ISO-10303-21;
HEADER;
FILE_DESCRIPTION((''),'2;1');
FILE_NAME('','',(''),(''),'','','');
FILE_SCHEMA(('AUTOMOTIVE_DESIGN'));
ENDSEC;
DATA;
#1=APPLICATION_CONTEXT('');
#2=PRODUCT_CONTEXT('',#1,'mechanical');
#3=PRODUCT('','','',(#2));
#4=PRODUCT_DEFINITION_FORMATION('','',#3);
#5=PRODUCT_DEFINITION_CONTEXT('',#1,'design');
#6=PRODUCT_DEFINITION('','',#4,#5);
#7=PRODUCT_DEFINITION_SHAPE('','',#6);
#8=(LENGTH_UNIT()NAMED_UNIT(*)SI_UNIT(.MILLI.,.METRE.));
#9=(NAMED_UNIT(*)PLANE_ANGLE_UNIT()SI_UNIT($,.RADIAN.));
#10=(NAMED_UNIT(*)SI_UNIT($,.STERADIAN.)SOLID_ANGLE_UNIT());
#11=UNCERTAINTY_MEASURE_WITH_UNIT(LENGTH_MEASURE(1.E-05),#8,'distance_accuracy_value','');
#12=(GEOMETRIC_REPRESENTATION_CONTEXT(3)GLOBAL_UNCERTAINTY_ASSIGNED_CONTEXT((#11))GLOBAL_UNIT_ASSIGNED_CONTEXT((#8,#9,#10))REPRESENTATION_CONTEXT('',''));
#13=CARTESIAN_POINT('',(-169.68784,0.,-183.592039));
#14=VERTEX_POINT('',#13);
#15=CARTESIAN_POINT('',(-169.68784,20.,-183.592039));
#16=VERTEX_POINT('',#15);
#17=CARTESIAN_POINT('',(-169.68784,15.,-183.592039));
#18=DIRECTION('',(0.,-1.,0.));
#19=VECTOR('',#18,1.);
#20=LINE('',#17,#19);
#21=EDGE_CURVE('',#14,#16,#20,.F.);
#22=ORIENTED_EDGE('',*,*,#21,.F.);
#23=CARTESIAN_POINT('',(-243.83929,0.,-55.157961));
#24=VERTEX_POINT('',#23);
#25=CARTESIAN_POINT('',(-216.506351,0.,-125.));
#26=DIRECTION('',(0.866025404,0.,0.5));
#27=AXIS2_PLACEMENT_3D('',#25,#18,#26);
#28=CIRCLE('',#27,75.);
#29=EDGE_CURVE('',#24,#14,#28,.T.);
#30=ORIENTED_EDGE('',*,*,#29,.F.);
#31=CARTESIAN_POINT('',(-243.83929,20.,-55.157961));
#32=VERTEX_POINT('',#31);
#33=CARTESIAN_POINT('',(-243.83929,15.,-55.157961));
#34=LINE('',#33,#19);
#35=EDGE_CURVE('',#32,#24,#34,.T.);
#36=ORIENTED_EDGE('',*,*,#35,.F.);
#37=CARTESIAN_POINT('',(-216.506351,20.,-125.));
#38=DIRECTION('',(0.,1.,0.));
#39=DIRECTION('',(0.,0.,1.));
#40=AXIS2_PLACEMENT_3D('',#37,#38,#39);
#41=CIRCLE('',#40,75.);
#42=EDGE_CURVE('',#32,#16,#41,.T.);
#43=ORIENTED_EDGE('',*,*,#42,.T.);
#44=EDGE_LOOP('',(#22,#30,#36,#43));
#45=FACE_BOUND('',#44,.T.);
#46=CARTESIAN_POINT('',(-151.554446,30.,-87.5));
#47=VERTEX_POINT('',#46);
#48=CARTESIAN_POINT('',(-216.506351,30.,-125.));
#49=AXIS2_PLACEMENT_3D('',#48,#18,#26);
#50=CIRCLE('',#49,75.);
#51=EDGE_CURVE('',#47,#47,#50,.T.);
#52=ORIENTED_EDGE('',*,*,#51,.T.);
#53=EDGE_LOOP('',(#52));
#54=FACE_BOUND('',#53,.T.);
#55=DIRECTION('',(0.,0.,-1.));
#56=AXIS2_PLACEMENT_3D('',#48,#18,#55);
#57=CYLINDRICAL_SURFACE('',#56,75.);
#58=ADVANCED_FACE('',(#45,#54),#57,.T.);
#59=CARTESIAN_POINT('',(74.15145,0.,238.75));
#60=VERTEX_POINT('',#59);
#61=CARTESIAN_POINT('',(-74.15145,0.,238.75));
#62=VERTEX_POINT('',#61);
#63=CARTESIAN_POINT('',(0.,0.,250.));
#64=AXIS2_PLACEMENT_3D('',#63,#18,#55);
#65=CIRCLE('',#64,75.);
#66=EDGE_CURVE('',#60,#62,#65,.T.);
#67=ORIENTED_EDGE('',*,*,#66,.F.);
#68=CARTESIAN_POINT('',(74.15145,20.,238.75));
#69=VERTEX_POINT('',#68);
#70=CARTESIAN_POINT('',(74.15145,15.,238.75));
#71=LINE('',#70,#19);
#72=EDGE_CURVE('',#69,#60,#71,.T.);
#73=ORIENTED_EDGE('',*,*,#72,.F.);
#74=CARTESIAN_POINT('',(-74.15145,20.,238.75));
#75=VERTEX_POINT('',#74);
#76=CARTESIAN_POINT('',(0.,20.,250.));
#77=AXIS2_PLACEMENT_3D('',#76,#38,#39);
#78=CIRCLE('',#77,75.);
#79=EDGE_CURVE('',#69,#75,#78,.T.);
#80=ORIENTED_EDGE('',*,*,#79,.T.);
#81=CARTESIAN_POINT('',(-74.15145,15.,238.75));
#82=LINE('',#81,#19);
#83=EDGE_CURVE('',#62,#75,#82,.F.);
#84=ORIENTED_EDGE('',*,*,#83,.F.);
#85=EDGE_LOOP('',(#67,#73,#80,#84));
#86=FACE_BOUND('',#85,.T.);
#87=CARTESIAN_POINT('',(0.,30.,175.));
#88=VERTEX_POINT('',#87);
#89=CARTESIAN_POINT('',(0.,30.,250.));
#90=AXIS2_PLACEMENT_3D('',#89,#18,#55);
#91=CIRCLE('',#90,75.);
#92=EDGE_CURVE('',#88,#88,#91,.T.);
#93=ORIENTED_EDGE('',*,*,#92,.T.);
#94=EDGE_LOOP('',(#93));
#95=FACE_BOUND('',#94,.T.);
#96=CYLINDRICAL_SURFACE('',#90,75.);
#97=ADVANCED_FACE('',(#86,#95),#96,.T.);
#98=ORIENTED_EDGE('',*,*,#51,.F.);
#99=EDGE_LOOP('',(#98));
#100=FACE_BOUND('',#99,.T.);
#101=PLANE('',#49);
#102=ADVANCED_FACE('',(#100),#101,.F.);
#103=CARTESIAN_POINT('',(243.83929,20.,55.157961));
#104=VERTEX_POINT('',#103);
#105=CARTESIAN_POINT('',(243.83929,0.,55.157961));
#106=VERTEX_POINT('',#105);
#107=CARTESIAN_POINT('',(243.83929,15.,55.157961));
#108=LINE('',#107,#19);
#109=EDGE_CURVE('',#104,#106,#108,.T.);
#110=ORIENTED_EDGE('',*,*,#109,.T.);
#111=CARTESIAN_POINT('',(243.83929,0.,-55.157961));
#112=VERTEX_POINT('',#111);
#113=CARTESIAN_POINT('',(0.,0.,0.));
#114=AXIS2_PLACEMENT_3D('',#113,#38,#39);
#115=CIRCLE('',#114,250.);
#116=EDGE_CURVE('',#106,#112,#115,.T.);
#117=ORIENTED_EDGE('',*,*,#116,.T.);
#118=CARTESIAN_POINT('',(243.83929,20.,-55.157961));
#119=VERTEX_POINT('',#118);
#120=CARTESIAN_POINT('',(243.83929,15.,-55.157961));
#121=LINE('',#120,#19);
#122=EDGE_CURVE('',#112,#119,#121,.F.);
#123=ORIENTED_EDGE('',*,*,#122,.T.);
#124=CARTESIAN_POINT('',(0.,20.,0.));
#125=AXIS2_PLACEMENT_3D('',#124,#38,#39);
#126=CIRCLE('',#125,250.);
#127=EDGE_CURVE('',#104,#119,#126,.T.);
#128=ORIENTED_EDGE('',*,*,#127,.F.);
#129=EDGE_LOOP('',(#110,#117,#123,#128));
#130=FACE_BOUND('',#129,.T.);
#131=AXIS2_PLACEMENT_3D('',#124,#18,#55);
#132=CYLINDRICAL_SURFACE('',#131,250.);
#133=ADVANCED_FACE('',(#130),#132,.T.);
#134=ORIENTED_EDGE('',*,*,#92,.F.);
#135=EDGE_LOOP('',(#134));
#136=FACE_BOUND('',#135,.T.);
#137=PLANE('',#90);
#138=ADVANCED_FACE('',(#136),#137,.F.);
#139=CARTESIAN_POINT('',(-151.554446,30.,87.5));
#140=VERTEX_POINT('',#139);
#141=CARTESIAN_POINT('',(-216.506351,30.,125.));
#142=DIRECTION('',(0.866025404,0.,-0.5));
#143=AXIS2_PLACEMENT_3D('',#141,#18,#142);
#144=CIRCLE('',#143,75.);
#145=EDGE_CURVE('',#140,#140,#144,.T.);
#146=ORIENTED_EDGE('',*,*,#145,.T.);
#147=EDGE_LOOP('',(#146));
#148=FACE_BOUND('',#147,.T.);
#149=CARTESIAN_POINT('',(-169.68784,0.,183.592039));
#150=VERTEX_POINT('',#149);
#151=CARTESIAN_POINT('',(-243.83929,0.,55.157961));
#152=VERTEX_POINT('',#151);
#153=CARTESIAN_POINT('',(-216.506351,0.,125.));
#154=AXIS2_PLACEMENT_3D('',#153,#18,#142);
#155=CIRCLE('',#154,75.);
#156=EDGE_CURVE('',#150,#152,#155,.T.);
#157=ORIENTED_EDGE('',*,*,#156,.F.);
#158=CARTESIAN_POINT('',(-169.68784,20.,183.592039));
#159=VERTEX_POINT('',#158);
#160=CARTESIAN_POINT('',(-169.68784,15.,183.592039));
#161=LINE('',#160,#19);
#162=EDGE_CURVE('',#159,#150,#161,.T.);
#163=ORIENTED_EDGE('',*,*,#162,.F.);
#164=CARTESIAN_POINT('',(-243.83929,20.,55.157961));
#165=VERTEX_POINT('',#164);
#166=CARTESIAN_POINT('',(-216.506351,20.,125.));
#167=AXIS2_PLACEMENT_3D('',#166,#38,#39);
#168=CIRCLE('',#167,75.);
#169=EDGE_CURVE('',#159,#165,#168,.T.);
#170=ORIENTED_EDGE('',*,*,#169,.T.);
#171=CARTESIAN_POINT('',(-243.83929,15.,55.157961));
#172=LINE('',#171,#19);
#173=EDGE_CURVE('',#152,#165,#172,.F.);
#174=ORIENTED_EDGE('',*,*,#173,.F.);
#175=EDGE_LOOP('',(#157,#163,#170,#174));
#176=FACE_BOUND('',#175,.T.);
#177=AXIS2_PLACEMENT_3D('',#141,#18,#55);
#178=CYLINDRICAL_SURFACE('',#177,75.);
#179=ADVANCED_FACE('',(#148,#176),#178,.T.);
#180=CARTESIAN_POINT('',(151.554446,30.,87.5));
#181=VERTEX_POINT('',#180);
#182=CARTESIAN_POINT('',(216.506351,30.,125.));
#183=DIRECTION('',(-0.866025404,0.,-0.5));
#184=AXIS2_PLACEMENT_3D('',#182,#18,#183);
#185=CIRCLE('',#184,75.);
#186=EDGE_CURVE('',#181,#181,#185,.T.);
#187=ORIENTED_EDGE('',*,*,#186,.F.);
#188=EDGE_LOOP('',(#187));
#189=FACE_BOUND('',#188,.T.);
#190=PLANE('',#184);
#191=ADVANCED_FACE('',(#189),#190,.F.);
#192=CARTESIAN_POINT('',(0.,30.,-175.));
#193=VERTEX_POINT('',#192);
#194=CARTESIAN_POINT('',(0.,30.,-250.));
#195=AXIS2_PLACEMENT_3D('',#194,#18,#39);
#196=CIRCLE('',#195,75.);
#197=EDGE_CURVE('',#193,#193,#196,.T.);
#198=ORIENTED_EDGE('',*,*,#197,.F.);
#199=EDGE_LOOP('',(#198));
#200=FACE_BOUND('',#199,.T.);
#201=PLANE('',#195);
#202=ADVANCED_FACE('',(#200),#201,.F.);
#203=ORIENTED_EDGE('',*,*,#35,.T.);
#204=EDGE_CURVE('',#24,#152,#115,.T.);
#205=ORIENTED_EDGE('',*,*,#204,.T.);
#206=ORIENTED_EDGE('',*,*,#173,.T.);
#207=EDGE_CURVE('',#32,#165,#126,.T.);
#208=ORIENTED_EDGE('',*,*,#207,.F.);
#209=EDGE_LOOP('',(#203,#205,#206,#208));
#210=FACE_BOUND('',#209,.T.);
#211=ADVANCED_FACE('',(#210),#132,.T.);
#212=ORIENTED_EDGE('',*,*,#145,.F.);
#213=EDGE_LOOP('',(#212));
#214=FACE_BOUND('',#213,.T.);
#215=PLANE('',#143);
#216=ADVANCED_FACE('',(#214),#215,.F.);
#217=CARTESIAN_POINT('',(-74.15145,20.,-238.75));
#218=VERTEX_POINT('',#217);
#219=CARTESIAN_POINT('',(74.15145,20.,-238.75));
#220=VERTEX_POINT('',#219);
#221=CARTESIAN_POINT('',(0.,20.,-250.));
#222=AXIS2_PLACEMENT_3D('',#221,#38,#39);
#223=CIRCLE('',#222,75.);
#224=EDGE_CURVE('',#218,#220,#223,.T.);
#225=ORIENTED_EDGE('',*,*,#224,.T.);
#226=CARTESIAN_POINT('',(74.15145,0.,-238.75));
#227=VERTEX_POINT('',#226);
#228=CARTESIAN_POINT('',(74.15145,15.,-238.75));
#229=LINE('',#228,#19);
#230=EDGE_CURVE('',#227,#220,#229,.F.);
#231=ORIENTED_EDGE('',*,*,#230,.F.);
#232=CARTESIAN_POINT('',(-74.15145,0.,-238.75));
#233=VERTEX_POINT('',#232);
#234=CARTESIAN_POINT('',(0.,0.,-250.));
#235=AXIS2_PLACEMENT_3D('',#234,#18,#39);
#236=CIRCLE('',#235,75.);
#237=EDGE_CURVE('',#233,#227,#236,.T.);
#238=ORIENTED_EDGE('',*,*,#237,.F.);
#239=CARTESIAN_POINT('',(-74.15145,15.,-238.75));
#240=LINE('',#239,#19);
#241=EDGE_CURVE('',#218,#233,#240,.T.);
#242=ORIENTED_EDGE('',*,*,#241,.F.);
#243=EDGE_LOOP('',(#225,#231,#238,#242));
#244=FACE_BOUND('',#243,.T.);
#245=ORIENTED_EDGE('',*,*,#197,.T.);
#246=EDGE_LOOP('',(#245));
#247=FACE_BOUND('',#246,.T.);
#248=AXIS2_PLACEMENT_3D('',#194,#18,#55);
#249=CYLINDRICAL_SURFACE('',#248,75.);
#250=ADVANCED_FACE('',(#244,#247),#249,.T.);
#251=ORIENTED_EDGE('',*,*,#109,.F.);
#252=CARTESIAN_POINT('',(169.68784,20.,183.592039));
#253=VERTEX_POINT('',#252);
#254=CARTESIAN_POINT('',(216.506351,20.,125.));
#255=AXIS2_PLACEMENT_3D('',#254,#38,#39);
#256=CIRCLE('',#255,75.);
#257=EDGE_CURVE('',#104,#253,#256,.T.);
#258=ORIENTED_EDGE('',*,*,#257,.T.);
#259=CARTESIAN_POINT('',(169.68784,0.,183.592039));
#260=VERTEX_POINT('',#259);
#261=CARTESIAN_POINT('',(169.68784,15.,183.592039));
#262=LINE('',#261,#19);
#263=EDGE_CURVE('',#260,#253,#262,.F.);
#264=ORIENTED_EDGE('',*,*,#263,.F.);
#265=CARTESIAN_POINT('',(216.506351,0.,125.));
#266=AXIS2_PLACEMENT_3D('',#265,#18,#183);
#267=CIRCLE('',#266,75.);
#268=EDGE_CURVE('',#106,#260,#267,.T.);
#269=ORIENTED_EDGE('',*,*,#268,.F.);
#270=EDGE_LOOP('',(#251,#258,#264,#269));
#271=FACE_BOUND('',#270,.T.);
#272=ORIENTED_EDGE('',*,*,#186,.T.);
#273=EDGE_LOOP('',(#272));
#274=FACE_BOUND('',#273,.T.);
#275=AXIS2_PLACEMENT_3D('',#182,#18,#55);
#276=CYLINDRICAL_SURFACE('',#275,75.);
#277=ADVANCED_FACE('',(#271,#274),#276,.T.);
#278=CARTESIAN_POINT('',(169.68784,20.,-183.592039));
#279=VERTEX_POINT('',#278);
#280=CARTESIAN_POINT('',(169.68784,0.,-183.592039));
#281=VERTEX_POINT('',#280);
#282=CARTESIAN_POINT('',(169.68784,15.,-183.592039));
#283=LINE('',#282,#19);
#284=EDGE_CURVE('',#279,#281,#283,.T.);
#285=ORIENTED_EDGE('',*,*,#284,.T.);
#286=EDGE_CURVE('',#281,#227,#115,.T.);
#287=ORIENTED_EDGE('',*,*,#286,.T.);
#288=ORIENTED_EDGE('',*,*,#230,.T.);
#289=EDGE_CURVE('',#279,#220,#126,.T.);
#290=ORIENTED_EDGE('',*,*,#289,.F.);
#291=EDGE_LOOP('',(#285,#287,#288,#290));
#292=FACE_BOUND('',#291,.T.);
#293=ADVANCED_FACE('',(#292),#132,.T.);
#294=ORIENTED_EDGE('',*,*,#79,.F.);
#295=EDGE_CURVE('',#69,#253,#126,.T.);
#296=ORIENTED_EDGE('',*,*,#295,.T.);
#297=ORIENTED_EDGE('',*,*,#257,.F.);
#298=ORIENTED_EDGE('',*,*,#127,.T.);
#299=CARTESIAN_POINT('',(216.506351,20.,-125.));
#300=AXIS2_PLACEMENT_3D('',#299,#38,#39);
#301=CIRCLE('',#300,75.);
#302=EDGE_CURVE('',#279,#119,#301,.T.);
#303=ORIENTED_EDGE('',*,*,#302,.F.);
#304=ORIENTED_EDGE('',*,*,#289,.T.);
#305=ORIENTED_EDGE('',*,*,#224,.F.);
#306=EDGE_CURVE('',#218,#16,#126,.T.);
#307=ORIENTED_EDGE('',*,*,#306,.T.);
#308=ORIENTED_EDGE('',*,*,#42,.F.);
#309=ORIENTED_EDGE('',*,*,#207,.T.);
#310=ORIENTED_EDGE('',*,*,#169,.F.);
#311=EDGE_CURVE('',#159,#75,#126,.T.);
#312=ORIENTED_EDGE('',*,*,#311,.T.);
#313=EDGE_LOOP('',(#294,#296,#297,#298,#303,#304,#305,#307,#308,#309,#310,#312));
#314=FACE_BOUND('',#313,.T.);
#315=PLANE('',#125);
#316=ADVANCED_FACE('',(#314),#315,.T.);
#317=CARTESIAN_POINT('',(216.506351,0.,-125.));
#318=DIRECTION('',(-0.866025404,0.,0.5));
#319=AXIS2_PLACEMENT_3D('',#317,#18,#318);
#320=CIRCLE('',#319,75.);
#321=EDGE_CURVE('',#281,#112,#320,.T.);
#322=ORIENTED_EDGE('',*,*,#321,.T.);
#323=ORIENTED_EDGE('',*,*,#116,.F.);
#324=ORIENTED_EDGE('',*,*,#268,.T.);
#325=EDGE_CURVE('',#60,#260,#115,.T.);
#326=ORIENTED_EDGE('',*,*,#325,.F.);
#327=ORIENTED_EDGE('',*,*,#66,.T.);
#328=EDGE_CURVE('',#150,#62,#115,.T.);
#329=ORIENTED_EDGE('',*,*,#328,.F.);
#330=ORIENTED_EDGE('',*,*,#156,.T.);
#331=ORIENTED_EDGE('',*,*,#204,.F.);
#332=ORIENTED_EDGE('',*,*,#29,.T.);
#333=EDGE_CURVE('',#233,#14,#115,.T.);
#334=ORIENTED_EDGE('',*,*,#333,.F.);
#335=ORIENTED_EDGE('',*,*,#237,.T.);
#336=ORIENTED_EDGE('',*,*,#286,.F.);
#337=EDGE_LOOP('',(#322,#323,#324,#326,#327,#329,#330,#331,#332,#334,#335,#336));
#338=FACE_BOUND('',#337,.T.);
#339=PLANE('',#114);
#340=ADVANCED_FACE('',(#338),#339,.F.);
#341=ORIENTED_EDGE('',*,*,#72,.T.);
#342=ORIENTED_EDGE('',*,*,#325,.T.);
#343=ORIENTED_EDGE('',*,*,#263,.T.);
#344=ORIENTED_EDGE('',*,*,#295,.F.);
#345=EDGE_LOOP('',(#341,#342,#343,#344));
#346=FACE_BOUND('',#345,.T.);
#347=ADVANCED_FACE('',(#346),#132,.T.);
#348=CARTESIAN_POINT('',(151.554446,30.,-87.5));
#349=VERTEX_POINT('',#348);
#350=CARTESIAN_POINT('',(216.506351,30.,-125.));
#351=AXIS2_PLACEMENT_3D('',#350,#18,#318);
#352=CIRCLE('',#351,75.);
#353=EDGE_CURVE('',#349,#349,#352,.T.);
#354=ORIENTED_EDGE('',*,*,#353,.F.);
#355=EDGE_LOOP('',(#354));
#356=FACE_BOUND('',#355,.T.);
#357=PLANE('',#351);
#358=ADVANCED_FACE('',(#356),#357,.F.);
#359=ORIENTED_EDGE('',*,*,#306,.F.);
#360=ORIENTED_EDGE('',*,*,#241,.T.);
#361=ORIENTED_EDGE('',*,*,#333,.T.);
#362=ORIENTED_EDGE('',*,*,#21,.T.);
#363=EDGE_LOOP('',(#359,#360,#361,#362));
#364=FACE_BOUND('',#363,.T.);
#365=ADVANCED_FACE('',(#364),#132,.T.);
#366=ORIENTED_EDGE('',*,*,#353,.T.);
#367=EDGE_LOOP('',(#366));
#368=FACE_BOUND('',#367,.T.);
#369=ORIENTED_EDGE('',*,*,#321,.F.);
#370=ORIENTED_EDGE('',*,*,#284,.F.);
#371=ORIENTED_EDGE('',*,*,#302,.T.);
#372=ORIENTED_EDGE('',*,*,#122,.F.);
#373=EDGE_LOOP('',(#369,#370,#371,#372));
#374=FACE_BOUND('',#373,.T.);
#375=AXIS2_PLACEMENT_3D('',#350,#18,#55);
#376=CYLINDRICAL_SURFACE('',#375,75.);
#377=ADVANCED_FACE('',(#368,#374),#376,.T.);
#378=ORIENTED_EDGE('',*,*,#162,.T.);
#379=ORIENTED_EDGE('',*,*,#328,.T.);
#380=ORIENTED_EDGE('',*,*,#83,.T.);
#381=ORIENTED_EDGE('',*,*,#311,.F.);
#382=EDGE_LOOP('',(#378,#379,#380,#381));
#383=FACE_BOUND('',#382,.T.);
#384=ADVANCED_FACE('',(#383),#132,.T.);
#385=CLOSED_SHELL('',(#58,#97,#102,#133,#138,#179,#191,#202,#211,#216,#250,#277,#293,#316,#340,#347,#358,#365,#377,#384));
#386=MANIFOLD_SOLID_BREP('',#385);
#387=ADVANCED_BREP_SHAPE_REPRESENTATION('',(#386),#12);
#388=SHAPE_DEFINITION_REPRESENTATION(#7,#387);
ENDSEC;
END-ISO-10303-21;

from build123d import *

# Parameters (mm, degrees)
ESQUISSE2_R                  = 250
BOSS_EXTRU_2_DEPTH           = 20
ESQUISSE3_R                  = 75
BOSS_EXTRU_3_DEPTH           = 30
R_P_TITION_CIRCULAIRE1_COUNT = 6


with BuildPart() as part:
    # Esquisse2 → Boss.-Extru.2 (new body)
    with BuildSketch(Plane(origin=(0, 0, 0), x_dir=(1, 0, 0), z_dir=(0, 1, 0))):
        with Locations(Location((0, 0, 0), (0, 0, 270))):
            Circle(ESQUISSE2_R)
    extrude(amount=BOSS_EXTRU_2_DEPTH)

    # Esquisse3 → Boss.-Extru.3 (add)
    with BuildSketch(Plane.XZ):
        with Locations(Location((0, 250, 0), (0, 0, 270))):
            Circle(ESQUISSE3_R)
    boss_extru_3 = extrude(amount=-BOSS_EXTRU_3_DEPTH)

    # Répétition circulaire1: Boss.-Extru.3 ×6 about axis
    r_p_tition_circulaire1_axis = Axis((0, 0, 0), (0, 1, 0))
    for i in range(1, R_P_TITION_CIRCULAIRE1_COUNT):
        add(boss_extru_3.rotate(r_p_tition_circulaire1_axis, i * 360 / R_P_TITION_CIRCULAIRE1_COUNT))


solid = part.part
